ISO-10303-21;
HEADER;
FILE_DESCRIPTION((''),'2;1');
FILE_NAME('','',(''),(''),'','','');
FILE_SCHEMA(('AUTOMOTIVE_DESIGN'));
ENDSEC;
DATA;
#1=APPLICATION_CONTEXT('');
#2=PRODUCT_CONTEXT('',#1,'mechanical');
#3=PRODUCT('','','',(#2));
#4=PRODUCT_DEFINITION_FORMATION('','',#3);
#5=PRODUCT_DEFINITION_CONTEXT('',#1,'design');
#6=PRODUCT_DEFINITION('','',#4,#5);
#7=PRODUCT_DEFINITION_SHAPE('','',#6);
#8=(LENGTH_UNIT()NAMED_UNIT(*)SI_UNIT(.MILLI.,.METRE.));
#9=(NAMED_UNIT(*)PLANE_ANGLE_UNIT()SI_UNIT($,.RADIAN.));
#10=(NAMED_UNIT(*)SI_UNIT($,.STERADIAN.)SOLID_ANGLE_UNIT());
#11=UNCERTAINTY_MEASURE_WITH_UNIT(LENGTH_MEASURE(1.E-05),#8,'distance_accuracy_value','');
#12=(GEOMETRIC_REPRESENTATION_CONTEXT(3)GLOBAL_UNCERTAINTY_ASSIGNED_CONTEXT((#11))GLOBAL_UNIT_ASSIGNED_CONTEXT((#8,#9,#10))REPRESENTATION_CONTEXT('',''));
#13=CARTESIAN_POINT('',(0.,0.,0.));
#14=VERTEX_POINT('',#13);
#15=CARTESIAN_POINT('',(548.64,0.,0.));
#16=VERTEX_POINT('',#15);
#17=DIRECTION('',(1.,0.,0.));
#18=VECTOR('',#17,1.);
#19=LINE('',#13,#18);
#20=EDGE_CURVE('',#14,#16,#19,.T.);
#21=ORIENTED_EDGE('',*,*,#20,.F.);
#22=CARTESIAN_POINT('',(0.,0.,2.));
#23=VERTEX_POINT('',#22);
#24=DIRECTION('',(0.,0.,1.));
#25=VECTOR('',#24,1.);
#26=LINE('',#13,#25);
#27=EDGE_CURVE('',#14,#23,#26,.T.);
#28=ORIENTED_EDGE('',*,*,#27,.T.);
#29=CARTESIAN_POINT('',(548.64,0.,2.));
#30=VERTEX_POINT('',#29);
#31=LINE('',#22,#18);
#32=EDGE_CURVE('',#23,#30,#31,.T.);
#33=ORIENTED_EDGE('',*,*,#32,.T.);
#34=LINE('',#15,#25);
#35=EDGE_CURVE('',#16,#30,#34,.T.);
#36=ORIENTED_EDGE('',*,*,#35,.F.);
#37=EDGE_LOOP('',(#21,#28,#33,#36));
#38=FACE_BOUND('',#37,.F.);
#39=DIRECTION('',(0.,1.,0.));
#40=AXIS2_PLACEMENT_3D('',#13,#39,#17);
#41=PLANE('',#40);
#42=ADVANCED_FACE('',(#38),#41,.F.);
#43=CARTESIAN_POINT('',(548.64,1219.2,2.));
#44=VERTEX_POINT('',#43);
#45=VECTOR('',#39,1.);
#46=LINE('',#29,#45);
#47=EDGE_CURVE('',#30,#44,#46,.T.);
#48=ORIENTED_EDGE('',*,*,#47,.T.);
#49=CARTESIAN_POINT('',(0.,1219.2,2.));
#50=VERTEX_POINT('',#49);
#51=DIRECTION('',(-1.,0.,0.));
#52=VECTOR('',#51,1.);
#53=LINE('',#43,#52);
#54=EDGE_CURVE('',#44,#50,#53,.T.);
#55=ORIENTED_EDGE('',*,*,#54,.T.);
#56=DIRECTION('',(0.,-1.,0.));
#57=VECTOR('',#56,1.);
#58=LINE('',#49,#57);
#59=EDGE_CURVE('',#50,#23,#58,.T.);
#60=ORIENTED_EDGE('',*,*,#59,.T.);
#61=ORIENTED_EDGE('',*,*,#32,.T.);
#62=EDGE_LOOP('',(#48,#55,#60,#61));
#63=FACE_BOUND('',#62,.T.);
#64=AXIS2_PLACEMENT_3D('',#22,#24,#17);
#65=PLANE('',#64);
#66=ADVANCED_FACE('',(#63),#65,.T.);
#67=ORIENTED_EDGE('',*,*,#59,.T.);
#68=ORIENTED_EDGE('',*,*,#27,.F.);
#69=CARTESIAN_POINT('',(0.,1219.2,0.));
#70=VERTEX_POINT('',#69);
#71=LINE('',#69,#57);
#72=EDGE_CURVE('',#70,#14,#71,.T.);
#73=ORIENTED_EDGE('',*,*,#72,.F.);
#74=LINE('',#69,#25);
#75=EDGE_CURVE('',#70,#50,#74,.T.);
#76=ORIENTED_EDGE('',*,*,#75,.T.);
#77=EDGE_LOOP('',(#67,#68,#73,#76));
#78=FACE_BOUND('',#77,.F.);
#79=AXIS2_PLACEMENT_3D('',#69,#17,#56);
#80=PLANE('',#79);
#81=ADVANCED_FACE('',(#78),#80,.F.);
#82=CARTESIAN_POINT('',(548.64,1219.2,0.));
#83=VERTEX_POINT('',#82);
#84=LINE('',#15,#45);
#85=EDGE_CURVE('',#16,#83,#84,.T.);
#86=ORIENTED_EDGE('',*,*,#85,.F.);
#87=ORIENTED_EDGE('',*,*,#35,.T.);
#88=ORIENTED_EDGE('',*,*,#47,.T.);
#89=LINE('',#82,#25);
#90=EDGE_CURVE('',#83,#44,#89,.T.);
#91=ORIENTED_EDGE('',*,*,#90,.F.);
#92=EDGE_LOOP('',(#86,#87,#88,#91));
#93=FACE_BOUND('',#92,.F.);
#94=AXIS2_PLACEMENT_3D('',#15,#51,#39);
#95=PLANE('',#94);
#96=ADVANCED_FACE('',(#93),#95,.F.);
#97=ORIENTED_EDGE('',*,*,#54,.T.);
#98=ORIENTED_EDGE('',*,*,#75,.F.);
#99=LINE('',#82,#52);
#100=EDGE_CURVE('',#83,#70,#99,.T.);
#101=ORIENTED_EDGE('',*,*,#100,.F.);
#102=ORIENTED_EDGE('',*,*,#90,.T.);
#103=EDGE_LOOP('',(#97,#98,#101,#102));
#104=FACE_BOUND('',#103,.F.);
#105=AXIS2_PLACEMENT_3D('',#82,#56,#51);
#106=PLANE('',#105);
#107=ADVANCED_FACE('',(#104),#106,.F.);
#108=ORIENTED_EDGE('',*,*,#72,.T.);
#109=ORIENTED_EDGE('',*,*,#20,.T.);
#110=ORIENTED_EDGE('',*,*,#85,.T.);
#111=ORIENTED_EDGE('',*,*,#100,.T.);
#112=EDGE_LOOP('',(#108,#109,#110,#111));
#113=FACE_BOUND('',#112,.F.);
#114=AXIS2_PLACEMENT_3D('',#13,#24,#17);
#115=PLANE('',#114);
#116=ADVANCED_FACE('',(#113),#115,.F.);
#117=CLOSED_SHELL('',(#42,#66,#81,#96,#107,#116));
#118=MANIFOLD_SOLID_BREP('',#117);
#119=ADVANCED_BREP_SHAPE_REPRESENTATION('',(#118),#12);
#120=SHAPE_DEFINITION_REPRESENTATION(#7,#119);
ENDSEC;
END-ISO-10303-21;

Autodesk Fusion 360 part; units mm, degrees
sketch "Sketch1" plane through (0, 0, 0) normal (0, 0, 1) x (1, 0, 0)
  line L0 (0, 0) -> (548.64, 0)
  line L1 (548.64, 0) -> (548.64, 1219.2)
  line L2 (548.64, 1219.2) -> (0, 1219.2)
  line L3 (0, 1219.2) -> (0, 0)
  dimension "d1" = 548.64
  dimension "d2" = 1219.2
extrude "Extrude1" add sketch "Sketch1" along normal blind 2
